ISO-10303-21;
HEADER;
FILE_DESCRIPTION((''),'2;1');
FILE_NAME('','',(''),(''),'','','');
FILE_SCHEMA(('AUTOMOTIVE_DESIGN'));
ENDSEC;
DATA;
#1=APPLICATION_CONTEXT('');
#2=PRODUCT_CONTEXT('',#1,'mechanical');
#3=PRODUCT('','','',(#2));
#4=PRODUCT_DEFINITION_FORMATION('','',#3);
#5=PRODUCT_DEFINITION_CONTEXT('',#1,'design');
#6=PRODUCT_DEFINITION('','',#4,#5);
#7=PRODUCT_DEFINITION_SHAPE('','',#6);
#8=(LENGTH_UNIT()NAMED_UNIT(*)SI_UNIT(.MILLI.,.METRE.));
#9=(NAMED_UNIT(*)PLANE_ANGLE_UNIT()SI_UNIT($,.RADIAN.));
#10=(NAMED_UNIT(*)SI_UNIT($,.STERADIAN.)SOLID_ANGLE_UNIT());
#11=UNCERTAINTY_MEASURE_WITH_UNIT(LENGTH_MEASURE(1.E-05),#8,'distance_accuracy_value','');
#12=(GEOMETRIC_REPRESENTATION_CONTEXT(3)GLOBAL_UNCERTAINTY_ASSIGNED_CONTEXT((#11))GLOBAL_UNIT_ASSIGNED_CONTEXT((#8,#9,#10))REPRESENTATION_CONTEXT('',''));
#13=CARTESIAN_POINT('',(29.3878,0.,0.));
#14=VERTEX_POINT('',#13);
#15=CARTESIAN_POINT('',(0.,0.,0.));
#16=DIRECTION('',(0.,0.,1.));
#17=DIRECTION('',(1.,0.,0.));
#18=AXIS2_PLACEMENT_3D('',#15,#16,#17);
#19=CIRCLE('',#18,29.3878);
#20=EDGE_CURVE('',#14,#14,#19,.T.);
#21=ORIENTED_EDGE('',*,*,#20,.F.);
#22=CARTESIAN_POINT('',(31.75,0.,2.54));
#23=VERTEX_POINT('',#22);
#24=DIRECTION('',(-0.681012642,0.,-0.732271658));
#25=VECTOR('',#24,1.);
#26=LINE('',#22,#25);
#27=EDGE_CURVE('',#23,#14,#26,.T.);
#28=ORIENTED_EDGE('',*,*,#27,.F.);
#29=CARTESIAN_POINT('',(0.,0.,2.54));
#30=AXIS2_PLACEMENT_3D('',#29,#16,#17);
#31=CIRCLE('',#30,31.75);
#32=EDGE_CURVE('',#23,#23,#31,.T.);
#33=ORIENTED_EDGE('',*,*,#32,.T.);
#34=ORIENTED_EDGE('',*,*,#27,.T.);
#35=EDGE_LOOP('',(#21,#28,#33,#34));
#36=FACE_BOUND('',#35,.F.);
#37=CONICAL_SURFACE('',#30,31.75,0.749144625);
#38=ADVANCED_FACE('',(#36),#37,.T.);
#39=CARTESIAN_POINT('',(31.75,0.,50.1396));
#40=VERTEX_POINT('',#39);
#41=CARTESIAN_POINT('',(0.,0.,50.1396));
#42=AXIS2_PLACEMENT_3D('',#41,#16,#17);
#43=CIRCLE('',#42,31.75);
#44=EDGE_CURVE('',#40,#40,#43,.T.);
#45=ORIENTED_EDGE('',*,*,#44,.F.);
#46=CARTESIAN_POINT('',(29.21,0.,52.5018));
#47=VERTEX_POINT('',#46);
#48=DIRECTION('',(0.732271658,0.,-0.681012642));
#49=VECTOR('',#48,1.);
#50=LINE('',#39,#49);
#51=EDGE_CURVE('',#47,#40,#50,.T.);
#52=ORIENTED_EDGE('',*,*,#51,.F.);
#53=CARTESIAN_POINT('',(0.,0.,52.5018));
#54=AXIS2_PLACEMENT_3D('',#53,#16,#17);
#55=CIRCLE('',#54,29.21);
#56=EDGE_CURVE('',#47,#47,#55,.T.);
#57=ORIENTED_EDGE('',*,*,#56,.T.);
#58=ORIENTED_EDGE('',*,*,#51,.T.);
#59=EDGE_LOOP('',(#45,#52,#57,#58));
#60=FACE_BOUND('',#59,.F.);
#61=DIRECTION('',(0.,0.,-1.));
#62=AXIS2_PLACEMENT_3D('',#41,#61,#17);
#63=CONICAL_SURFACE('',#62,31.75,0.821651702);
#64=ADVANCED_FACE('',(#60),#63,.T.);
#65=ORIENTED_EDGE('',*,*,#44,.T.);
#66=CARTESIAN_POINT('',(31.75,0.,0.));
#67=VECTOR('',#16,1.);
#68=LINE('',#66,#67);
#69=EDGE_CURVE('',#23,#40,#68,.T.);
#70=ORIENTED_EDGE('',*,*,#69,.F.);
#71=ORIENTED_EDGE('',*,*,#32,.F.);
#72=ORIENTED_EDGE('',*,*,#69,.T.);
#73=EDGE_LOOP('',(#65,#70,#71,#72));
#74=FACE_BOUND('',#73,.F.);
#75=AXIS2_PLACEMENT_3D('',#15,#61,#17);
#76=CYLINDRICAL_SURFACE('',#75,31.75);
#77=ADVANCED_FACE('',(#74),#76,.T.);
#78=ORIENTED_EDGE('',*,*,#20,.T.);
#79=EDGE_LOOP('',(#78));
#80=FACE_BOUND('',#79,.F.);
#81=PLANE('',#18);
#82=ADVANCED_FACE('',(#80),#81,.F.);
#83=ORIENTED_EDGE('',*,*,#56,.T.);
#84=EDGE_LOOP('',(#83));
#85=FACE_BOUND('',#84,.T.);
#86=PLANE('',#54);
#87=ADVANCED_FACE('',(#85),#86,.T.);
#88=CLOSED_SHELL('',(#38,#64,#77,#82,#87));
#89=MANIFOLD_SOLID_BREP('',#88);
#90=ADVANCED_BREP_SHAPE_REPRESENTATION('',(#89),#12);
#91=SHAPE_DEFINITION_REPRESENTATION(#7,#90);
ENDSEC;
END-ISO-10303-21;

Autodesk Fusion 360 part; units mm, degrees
sketch "Sketch1" plane through (0, 0, 0) normal (0, 0, 1) x (1, 0, 0)
  circle A0 centre (0, 0) radius 31.75
  dimension "d3" = 63.5
extrude "Extrude1" add sketch "Sketch1" along normal blind 52.5018
chamfer "Chamfer1" distance 2.54 distance2 2.3622 2 edges at (-29.6014, -11.4813, 52.5018) (-29.6014, -11.4813, 0) measured on face at (-7.9711, 4.3562, 52.5018) measured on face at (31.5922, -3.1613, 17.5006)
equation "RollerDiameter = 2 1/2\""
equation "RollerWidth = 2.067 in"
equation "d3 = RollerDiameter"
equation "d4 = RollerWidth"
equation "RollerBevel = ( 1 / 8 ) * 1 in"
